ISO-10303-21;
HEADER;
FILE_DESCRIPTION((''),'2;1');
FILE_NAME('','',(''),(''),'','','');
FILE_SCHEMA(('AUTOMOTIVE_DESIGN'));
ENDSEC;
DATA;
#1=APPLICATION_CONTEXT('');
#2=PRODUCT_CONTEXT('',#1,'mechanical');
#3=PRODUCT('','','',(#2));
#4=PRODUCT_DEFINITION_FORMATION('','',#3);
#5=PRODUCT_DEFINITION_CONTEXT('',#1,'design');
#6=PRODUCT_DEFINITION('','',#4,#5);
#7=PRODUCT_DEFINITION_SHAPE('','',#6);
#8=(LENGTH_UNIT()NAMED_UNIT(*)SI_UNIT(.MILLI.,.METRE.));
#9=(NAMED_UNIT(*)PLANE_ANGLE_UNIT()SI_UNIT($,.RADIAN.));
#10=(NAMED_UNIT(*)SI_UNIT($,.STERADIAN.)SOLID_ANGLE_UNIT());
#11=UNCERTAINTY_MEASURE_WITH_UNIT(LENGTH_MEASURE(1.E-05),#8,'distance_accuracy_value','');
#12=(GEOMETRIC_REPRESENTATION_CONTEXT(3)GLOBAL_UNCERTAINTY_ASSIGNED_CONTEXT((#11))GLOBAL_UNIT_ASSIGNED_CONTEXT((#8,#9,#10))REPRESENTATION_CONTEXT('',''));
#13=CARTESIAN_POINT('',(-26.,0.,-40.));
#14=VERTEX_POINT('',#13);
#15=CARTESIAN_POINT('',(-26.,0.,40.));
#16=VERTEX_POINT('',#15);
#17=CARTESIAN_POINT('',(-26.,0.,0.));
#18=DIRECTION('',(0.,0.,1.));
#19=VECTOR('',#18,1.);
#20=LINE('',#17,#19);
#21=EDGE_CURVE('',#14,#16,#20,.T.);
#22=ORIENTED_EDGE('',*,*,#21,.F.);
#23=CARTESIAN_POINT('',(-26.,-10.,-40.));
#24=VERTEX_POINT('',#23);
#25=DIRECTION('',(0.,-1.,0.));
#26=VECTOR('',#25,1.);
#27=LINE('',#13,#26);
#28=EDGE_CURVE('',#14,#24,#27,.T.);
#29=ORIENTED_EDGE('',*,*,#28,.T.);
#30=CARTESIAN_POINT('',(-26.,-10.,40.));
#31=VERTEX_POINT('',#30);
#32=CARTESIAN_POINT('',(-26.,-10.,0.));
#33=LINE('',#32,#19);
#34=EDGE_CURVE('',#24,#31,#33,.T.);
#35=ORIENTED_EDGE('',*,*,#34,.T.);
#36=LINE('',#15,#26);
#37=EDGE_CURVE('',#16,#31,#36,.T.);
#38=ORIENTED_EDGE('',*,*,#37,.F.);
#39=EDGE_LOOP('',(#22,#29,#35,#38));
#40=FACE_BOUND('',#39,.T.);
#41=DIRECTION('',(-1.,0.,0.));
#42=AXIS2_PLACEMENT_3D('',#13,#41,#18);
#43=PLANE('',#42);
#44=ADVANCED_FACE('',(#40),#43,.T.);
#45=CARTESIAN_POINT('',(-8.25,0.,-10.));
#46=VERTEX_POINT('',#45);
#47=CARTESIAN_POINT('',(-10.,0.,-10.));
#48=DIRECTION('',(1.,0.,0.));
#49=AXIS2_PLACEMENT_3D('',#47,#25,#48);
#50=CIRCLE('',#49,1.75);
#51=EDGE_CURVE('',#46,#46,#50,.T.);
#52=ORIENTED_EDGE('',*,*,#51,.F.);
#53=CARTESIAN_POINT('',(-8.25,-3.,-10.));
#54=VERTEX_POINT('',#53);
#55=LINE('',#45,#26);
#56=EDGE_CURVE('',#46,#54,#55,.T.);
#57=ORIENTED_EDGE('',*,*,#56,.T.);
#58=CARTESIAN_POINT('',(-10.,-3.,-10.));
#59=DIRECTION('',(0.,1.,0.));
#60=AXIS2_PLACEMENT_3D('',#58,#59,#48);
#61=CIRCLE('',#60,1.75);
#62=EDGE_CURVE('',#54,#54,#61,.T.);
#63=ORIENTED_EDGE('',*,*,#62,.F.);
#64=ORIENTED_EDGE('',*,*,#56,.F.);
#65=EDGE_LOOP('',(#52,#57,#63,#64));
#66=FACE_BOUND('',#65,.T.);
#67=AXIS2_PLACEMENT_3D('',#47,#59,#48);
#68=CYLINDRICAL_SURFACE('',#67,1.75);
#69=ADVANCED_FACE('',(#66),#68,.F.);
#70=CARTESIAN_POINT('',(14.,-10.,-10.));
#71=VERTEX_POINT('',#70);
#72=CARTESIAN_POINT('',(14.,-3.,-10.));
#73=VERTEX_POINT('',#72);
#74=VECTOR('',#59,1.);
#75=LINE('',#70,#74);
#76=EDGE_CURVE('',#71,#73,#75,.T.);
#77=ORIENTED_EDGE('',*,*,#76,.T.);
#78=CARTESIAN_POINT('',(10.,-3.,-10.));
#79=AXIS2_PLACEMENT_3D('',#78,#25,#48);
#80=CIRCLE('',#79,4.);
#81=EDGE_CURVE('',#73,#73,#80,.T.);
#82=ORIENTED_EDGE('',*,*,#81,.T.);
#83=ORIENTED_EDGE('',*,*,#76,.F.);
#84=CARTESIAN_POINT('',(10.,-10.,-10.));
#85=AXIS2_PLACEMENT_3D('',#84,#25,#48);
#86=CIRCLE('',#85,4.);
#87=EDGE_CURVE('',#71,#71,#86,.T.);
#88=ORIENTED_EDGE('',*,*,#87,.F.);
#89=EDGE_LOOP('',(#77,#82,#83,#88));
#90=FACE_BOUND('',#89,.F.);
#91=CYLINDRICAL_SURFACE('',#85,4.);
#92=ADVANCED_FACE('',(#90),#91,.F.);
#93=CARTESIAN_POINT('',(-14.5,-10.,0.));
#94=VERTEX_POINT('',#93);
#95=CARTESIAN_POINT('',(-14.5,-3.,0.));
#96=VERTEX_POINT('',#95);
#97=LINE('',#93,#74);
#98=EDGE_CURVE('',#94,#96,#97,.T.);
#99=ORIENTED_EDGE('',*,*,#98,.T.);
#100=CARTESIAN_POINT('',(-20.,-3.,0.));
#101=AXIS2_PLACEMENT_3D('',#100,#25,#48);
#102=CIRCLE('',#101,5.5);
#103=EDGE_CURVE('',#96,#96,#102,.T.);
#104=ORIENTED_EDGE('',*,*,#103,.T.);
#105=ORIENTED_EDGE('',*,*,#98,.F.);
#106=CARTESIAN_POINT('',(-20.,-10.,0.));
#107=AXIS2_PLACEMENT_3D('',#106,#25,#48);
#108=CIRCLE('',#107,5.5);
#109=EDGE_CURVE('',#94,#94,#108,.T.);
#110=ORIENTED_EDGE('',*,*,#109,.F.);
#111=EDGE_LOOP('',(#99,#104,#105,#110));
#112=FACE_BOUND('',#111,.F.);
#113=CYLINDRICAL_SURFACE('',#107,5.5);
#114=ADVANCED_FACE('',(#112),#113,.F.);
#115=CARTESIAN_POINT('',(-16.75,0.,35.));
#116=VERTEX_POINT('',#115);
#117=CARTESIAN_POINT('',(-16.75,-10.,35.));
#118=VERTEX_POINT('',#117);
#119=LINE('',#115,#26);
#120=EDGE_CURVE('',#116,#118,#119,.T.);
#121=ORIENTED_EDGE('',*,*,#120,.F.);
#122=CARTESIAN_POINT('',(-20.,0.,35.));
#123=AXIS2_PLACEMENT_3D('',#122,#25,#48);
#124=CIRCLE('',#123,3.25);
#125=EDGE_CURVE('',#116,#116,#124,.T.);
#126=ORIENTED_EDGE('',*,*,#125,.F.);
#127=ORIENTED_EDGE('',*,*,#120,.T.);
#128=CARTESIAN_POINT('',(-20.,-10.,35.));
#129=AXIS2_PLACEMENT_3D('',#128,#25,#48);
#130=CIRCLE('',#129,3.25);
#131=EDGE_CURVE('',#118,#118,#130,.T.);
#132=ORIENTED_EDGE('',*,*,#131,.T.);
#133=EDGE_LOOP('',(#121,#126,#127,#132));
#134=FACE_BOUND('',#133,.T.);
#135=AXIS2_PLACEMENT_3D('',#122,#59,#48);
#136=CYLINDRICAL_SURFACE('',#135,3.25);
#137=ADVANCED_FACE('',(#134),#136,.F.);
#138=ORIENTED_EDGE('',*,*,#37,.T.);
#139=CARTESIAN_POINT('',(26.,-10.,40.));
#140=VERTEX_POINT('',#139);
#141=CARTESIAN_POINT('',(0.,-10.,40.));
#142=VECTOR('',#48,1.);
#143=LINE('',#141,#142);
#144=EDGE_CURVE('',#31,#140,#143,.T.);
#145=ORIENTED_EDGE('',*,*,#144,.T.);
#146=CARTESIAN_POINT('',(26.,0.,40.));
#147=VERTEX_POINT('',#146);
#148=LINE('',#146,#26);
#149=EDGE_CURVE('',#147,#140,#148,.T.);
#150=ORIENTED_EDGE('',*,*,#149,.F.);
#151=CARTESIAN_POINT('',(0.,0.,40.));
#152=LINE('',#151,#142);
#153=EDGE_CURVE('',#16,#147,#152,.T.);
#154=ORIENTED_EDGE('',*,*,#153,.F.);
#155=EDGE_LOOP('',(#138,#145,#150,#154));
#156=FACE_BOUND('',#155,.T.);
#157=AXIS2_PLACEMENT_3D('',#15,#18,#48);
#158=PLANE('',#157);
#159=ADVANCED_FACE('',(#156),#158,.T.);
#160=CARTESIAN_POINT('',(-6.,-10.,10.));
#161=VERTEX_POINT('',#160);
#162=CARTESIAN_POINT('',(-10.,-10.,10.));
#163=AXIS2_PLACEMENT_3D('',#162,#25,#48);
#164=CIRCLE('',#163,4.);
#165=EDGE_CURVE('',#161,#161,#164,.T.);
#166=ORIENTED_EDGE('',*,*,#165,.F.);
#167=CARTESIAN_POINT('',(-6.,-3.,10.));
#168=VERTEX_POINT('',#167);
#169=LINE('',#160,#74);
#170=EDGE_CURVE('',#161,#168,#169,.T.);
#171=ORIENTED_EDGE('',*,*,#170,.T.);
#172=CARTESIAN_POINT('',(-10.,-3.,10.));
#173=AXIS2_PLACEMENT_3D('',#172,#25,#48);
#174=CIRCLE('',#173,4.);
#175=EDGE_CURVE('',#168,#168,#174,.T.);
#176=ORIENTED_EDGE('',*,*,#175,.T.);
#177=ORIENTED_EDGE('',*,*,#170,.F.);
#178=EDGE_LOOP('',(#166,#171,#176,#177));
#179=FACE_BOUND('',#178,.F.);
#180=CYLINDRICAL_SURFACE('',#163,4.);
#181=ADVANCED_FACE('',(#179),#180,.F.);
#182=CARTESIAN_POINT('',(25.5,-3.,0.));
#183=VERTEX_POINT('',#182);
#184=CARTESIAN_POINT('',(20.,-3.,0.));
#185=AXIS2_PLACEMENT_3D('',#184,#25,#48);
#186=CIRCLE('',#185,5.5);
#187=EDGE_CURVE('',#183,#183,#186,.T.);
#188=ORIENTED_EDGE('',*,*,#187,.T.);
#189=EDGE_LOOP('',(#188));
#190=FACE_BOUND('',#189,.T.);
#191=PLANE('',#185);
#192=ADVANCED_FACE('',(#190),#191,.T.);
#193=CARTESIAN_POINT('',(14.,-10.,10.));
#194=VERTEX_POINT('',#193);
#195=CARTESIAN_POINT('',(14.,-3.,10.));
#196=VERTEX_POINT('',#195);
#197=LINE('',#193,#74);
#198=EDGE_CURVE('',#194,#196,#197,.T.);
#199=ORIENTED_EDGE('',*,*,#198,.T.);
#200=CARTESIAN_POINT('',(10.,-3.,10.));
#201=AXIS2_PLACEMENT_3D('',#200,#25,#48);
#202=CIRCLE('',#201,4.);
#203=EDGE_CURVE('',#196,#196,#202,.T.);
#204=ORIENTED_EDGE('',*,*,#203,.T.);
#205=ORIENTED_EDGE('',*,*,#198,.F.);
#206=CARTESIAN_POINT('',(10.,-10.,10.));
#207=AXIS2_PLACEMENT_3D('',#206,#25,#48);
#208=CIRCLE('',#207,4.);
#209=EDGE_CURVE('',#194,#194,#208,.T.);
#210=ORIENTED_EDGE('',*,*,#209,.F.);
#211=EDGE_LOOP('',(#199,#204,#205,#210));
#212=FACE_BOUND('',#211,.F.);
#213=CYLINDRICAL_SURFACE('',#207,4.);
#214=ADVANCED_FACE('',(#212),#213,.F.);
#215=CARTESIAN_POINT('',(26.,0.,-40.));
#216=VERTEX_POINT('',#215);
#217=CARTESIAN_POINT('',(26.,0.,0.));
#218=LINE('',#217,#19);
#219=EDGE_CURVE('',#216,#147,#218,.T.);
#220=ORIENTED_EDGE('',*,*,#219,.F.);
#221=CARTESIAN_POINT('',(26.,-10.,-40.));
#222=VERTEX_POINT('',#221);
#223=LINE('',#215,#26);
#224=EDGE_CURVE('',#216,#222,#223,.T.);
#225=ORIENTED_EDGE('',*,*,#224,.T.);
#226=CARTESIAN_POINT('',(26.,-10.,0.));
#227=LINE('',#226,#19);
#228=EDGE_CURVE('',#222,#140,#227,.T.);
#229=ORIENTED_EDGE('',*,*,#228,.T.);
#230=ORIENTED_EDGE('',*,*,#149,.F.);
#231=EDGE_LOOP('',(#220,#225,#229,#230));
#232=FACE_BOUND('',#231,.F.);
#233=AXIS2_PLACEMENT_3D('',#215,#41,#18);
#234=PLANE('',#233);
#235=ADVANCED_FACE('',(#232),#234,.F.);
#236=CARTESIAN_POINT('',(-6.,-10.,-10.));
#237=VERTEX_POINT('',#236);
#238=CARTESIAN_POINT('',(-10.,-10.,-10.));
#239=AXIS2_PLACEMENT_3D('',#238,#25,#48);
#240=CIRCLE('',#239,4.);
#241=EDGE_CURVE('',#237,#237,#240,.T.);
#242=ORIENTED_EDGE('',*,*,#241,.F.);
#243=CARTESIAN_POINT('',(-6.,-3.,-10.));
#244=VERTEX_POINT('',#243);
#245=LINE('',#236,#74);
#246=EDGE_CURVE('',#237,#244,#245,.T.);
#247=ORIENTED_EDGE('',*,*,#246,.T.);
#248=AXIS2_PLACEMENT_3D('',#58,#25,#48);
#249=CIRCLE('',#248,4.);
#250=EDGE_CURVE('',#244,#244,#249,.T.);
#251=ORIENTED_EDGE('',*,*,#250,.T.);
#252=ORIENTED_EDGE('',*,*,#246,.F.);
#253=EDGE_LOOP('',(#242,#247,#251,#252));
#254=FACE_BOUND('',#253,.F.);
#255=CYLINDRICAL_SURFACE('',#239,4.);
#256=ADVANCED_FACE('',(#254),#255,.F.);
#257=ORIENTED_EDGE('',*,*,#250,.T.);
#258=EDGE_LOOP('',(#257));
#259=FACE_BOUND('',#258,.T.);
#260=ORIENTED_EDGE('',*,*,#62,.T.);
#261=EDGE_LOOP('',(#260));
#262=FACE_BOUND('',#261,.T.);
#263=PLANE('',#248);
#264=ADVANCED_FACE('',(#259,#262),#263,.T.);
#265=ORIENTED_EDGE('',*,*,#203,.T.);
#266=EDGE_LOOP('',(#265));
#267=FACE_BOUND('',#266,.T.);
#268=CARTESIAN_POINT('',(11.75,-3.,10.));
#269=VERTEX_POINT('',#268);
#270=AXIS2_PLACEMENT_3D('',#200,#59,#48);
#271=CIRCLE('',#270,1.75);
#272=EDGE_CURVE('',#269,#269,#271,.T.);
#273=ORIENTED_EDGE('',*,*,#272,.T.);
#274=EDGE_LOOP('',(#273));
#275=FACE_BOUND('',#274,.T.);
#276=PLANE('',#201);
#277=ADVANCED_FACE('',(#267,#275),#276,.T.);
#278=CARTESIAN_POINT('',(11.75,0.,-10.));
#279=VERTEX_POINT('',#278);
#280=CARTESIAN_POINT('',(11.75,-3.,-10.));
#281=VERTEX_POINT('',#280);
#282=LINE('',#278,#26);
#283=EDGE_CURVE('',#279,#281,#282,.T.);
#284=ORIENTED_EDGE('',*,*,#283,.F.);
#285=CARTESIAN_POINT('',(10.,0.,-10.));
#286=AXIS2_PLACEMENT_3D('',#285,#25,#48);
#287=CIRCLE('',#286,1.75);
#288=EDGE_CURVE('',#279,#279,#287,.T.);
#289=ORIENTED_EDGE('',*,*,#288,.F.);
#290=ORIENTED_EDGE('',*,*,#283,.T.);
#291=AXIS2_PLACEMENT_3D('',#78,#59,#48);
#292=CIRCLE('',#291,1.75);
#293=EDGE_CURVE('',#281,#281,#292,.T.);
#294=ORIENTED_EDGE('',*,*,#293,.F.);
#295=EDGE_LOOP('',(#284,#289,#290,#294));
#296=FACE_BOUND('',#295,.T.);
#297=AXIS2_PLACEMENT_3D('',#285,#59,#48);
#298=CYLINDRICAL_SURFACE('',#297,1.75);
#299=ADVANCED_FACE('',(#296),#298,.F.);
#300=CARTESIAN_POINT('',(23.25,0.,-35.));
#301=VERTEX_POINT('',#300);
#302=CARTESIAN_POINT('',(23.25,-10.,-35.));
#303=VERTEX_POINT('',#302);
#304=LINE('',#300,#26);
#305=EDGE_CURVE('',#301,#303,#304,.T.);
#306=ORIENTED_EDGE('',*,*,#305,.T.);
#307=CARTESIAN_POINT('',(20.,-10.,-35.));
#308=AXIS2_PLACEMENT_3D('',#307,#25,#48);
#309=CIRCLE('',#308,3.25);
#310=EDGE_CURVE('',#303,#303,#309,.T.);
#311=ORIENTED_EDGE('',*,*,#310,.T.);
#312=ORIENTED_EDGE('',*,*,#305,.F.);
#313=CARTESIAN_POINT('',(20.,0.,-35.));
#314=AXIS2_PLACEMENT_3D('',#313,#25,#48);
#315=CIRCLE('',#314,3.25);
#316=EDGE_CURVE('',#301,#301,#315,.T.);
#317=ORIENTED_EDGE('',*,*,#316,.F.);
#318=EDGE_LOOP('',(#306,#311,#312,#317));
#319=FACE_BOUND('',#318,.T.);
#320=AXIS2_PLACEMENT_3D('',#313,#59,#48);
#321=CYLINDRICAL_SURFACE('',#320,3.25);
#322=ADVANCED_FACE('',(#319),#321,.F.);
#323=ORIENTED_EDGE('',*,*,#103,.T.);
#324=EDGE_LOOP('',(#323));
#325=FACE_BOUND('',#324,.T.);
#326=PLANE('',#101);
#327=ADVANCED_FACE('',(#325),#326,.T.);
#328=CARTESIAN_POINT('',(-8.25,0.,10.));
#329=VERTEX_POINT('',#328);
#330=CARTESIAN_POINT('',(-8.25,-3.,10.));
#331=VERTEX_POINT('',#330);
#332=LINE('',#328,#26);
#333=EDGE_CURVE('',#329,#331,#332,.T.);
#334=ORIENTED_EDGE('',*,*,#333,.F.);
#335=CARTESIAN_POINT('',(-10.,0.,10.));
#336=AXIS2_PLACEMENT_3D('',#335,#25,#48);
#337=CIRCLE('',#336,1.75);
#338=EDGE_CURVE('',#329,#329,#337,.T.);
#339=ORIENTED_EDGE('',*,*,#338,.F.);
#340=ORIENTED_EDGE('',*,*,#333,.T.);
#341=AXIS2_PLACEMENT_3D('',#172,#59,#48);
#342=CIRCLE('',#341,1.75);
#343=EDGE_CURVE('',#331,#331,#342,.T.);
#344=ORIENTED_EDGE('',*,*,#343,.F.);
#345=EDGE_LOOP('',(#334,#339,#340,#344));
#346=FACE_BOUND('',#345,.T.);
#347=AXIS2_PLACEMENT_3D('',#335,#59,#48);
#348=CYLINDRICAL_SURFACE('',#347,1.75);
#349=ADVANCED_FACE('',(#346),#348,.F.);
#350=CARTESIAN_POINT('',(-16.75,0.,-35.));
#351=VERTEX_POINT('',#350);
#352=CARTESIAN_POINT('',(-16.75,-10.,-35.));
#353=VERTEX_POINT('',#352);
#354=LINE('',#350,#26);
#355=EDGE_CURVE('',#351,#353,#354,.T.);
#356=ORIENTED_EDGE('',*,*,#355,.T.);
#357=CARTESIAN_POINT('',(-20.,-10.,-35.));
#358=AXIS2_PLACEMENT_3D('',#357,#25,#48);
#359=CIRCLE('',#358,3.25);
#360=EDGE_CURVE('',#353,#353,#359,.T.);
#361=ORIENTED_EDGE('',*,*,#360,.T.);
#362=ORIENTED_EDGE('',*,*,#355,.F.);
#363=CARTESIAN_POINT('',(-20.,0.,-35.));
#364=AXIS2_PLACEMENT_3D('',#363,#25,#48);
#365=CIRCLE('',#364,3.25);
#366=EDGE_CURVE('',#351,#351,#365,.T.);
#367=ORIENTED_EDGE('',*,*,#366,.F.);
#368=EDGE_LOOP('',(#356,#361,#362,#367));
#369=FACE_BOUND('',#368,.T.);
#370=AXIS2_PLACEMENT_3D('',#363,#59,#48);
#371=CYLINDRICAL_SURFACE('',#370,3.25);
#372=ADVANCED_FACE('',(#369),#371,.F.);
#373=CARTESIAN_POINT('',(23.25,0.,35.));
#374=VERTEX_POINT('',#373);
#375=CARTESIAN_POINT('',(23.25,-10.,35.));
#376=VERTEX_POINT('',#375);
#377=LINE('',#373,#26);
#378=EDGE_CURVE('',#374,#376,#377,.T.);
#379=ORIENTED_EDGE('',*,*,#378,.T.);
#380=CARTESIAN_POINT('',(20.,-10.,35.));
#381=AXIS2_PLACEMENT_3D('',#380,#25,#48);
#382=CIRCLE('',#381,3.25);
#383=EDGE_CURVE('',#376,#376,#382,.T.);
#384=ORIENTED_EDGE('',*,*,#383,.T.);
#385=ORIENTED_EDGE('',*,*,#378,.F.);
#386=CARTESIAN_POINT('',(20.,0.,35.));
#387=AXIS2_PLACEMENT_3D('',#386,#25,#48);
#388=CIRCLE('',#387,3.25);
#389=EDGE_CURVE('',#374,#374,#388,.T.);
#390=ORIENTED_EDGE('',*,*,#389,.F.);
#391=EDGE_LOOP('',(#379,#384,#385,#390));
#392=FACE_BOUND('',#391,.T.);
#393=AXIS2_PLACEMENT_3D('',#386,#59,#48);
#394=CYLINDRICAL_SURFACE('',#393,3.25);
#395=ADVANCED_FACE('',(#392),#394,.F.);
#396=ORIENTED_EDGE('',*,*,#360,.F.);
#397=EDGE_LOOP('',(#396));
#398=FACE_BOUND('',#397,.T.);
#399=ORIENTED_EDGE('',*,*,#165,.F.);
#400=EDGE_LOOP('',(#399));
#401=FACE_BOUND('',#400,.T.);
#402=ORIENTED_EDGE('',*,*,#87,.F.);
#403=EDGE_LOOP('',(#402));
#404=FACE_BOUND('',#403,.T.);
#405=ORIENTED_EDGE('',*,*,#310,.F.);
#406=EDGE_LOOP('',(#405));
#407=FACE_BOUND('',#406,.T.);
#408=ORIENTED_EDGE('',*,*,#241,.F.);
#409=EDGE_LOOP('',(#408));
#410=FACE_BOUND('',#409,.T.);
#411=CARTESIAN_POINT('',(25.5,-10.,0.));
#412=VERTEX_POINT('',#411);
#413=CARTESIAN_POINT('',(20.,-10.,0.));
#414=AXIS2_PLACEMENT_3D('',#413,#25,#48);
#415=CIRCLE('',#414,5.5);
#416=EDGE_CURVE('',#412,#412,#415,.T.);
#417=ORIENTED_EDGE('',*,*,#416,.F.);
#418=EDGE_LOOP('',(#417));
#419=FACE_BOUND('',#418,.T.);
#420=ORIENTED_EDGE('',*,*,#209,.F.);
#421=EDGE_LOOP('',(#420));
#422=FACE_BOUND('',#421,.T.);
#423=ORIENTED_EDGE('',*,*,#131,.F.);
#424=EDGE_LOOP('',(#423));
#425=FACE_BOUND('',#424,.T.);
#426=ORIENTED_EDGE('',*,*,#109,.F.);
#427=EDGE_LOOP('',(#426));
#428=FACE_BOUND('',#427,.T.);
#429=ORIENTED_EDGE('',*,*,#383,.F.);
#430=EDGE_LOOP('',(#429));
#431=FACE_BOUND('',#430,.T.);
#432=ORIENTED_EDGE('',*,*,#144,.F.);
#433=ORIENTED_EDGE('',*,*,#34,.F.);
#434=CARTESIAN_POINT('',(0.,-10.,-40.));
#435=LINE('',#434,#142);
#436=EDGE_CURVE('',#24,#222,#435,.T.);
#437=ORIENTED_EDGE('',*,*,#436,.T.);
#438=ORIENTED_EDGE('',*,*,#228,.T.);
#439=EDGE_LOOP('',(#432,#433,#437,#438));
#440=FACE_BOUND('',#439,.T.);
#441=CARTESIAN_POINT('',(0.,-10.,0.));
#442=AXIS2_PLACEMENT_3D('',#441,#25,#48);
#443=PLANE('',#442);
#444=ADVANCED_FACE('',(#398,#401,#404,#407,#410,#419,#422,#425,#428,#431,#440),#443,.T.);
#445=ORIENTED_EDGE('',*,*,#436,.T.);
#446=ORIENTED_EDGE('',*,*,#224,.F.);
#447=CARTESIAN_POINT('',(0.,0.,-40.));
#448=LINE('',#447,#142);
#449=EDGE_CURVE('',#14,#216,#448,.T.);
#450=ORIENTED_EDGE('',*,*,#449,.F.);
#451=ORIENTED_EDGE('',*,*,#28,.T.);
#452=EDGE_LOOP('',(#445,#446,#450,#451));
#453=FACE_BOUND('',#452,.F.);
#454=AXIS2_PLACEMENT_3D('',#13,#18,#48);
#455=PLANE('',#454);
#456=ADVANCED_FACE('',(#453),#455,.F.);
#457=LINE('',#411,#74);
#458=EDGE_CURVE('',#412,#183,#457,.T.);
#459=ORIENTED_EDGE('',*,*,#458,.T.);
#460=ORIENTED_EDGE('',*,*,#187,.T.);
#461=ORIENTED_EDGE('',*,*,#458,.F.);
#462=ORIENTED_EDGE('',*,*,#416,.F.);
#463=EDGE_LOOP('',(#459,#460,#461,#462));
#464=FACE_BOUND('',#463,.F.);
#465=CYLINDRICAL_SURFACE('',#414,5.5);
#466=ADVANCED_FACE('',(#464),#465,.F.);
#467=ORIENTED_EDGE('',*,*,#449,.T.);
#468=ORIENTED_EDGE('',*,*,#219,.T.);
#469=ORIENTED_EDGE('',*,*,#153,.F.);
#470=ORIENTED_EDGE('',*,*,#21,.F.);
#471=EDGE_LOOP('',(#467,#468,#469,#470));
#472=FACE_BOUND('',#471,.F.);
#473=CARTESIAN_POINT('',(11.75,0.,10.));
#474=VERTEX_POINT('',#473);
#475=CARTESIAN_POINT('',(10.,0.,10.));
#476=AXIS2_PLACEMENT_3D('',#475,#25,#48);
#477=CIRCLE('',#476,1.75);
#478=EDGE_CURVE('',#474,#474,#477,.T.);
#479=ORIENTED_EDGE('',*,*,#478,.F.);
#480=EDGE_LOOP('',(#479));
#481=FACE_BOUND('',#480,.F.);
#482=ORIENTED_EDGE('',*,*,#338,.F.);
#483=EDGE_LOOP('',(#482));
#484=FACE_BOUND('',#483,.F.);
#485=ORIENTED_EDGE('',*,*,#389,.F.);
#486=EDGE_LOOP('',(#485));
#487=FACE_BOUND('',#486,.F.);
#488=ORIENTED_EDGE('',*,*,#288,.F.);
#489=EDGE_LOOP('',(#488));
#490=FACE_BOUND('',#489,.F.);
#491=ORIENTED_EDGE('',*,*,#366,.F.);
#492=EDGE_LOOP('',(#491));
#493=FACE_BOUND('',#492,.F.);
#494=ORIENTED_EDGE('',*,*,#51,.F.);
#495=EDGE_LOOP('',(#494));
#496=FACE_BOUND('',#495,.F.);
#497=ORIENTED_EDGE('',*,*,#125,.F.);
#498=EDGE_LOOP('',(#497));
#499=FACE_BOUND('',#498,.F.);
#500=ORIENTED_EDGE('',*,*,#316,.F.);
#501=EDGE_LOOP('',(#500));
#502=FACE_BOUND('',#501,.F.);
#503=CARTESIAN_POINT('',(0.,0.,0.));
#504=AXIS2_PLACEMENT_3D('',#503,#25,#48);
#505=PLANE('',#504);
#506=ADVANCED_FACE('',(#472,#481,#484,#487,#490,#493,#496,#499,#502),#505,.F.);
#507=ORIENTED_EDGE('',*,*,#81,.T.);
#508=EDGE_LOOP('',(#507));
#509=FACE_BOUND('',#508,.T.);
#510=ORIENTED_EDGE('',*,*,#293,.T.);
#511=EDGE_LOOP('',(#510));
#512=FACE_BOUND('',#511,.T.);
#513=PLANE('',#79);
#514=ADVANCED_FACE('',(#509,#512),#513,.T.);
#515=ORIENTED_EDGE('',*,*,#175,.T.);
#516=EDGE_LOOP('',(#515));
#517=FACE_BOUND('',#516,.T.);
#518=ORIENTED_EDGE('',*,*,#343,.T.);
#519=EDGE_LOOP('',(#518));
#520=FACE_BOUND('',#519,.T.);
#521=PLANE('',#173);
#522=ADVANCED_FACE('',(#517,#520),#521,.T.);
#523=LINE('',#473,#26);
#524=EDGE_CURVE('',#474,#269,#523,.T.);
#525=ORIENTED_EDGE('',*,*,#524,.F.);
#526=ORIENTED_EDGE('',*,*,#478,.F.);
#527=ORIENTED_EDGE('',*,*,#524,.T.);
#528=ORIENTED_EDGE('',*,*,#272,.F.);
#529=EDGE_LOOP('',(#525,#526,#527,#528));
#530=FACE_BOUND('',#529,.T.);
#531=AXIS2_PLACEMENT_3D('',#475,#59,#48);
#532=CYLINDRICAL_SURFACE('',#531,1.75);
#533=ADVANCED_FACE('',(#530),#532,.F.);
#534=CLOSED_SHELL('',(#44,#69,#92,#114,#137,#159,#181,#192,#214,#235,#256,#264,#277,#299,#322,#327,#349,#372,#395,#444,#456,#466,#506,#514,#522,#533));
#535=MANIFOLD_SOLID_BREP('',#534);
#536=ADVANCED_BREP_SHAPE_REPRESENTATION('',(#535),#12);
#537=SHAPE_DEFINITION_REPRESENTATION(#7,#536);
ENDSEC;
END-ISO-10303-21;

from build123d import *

# Parameters (mm, degrees)
F0_W     = 52
F0_H     = 80
F0_R     = 3.25
F0_R_2   = 1.75
F1_DEPTH = 10
F2_R     = 5.5
F3_DEPTH = 7
F4_R     = 4
F5_DEPTH = 7


with BuildPart() as f1:
    # F0 (on Front) → F1 (new body)
    with BuildSketch(Plane.XZ):
        Rectangle(F0_W, F0_H)
        with Locations((-20, -35)):
            Circle(F0_R, mode=Mode.SUBTRACT)
        with Locations((-10, -10)):
            Circle(F0_R_2, mode=Mode.SUBTRACT)
        with Locations((20, -35)):
            Circle(F0_R, mode=Mode.SUBTRACT)
        with Locations((10, -10)):
            Circle(F0_R_2, mode=Mode.SUBTRACT)
        with Locations((-10, 10)):
            Circle(F0_R_2, mode=Mode.SUBTRACT)
        with Locations((-20, 35)):
            Circle(F0_R, mode=Mode.SUBTRACT)
        with Locations((10, 10)):
            Circle(F0_R_2, mode=Mode.SUBTRACT)
        with Locations((20, 35)):
            Circle(F0_R, mode=Mode.SUBTRACT)
    extrude(amount=F1_DEPTH)

    # F2 (on face) → F3 (cut)
    with BuildSketch(Plane.XZ.offset(10)):
        with Locations((-20, 0)):
            Circle(F2_R)
        with Locations((20, 0)):
            Circle(F2_R)
    extrude(amount=-F3_DEPTH, mode=Mode.SUBTRACT)

    # F4 (on face) → F5 (cut)
    with BuildSketch(Plane.XZ.offset(10)):
        with Locations((-10, 10)):
            Circle(F4_R)
        with Locations((10, 10)):
            Circle(F4_R)
        with Locations((-10, -10)):
            Circle(F4_R)
        with Locations((10, -10)):
            Circle(F4_R)
    extrude(amount=-F5_DEPTH, mode=Mode.SUBTRACT)


solid = f1.part
